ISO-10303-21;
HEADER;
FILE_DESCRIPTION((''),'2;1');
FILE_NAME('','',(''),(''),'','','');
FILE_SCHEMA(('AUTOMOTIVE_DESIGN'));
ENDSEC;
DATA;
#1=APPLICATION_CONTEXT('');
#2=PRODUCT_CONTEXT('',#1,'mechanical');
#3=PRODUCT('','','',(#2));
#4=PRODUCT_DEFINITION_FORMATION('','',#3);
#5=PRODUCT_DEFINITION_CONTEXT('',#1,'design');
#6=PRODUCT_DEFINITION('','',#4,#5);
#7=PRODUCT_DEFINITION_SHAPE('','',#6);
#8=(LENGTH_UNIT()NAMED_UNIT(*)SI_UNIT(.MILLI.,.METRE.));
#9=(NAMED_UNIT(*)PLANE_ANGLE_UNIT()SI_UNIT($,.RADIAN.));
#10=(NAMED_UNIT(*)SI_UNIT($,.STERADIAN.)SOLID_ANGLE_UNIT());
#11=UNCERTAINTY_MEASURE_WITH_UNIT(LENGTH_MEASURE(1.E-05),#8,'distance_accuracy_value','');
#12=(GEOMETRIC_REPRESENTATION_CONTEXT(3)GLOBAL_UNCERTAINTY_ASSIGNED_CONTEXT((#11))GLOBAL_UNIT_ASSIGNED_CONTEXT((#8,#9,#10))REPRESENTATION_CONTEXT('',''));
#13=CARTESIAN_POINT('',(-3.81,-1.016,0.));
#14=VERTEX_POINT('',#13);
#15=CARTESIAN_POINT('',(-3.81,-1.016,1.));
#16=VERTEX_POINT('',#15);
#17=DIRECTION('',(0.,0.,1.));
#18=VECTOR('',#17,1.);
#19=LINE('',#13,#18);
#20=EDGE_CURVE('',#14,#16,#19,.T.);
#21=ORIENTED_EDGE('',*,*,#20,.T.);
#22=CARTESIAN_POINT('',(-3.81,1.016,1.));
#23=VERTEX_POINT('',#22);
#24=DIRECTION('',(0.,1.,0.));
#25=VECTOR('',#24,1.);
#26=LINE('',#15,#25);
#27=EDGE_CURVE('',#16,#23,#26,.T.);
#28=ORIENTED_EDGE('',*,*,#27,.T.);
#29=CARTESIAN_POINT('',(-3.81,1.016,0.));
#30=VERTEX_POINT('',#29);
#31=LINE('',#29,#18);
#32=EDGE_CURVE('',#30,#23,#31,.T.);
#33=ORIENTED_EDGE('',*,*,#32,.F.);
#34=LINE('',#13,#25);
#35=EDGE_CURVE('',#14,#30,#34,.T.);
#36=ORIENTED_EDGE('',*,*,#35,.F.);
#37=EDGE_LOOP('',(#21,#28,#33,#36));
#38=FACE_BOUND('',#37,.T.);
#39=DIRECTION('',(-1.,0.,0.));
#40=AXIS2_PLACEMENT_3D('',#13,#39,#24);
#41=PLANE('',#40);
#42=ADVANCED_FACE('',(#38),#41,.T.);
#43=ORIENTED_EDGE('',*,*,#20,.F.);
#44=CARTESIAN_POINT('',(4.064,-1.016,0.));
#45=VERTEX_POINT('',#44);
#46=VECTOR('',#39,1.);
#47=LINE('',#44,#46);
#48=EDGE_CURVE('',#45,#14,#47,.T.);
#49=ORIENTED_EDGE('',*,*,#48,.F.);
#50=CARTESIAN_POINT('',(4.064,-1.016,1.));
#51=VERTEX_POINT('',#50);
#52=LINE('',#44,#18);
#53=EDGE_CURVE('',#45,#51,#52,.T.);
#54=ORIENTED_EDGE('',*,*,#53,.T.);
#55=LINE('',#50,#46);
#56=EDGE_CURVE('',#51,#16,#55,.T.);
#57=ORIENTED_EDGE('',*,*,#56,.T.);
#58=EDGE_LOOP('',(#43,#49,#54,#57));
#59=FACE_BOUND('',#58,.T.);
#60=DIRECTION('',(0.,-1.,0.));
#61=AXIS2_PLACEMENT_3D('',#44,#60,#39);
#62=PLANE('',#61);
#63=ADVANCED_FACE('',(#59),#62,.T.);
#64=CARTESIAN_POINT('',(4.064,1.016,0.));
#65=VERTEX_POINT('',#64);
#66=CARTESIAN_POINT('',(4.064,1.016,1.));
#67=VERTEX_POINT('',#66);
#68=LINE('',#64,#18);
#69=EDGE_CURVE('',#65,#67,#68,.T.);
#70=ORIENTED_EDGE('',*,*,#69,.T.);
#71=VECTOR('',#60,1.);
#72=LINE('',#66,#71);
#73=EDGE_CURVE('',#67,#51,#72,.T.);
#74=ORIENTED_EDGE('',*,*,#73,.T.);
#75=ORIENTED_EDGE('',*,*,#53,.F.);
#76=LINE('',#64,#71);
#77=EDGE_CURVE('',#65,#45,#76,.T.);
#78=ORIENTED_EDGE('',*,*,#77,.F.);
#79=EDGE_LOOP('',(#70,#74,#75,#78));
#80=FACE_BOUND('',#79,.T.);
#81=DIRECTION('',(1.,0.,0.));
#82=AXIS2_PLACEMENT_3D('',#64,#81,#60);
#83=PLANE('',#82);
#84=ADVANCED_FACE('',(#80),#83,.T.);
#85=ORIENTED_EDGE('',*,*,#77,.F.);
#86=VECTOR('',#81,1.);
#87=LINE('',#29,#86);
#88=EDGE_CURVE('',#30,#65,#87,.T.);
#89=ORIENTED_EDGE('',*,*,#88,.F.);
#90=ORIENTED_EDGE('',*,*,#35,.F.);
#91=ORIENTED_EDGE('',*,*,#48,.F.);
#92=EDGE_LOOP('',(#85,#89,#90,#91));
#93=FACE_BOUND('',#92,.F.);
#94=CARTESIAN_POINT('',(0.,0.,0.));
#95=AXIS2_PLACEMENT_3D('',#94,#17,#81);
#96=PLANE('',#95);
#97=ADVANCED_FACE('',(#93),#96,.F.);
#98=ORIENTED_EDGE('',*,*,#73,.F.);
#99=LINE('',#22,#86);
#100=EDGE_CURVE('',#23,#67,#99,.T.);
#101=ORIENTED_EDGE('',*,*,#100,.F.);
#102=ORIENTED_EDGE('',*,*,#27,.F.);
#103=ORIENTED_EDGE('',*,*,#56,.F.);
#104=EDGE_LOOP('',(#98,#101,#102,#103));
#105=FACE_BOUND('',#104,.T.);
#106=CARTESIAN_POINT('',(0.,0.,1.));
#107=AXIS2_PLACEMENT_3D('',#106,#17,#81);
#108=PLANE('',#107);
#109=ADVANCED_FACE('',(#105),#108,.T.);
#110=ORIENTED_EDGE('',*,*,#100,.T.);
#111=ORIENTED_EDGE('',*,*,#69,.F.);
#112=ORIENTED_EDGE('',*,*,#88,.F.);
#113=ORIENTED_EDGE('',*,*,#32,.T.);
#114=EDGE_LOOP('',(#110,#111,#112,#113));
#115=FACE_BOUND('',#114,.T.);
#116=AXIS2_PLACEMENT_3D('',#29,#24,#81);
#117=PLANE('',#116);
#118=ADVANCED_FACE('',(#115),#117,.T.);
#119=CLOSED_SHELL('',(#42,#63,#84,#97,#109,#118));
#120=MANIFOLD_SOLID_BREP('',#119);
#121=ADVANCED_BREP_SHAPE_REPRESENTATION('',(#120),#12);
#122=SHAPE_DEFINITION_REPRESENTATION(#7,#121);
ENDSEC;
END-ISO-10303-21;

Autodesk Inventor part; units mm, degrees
ref_plane "YZ Plane" through (0, 0, 0) normal (1, 0, 0) x (0, 1, 0)
ref_plane "XZ Plane" through (0, 0, 0) normal (0, 1, 0) x (-1, 0, 0)
ref_plane "XY Plane" through (0, 0, 0) normal (0, 0, 1) x (1, 0, 0)
sketch "DO35-7, 10V_14" plane through (0, 0, 0) normal (0, 0, 1) x (1, 0, 0)
  line L0 (-3.81, 1.016) -> (4.064, 1.016)
  line L1 (4.064, 1.016) -> (4.064, -1.016)
  line L2 (4.064, -1.016) -> (-3.81, -1.016)
  line L3 (-3.81, -1.016) -> (-3.81, 1.016)
extrude "Extrusion1" add sketch "DO35-7, 10V_14" along normal blind 1
properties part number "10V"
